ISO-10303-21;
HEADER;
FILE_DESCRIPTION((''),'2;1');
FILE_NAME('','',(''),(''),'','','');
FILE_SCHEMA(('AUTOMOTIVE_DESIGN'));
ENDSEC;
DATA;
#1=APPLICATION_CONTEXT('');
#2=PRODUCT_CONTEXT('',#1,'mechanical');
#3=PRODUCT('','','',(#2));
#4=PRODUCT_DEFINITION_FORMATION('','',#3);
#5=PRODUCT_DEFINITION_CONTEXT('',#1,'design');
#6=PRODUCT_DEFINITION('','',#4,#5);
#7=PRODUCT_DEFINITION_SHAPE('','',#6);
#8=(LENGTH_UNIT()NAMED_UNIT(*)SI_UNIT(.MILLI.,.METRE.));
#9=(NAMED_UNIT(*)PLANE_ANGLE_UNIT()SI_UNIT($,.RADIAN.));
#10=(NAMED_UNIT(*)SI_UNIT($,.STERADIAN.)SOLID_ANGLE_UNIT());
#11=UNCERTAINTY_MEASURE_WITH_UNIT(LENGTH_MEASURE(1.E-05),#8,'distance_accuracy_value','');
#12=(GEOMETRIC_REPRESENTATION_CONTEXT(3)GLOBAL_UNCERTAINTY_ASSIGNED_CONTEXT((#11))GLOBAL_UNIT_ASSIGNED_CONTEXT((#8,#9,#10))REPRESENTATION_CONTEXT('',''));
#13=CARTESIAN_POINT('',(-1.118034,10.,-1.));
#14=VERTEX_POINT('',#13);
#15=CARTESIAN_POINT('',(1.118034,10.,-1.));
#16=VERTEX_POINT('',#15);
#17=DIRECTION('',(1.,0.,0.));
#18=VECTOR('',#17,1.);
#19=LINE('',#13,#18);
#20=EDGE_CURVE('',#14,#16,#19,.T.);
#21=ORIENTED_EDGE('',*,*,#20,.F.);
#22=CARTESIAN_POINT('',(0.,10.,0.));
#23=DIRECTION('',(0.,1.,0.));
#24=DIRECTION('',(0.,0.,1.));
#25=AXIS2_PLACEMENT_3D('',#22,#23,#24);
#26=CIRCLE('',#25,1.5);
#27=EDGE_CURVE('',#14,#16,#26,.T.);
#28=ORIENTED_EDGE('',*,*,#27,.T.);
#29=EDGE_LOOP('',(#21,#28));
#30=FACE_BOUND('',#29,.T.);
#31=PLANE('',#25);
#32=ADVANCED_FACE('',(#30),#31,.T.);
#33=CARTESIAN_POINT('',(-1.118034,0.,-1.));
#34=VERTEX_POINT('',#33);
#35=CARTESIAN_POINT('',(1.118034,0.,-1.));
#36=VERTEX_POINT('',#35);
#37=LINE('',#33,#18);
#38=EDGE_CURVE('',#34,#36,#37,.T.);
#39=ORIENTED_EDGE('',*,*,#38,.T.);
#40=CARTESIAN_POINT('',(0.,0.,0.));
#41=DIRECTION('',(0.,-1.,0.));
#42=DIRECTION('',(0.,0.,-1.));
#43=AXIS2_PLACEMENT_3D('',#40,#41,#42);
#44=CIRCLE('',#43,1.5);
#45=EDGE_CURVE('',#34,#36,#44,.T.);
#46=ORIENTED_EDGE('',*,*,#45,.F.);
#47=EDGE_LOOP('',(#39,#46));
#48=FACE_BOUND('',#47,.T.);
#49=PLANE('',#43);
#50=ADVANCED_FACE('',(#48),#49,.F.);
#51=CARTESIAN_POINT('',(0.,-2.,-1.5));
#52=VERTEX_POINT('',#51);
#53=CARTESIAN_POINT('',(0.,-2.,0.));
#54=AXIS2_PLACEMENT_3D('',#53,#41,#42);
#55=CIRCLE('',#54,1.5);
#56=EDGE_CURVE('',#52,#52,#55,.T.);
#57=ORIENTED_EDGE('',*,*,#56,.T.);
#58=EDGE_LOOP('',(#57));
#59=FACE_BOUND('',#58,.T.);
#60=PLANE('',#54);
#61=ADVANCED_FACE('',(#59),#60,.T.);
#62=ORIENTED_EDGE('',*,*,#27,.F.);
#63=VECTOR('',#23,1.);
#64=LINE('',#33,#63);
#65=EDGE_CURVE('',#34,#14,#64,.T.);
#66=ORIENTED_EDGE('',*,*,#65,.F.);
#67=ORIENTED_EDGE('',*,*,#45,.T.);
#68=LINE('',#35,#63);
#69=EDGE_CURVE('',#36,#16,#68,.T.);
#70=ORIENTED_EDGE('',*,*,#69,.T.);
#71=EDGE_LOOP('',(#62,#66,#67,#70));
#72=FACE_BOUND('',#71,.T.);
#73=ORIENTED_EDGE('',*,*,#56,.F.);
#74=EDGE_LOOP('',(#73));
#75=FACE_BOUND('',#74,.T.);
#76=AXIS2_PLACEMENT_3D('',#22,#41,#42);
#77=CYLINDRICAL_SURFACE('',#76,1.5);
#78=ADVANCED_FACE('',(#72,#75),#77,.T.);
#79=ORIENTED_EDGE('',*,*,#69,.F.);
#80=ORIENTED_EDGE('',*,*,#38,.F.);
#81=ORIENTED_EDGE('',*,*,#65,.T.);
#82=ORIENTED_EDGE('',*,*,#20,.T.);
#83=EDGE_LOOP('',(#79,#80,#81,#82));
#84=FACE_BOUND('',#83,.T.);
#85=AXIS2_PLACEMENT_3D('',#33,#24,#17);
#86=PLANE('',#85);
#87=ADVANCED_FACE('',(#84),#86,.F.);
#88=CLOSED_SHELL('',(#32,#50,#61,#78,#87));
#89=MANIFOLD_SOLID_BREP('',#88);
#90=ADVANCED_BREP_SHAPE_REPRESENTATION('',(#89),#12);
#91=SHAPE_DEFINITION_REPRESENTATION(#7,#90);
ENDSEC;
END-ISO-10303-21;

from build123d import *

# Parameters (mm, degrees)
SKETCH_1_R          = 1.5
EXTRUDE_1_DEPTH     = 10
CUT_EXTRUDE_START   = -10
CUT_EXTRUDE_1_DEPTH = 10
BOSS_EXTRUDE1_START = 2
SKETCH1_R           = 1.5
BOSS_EXTRUDE1_DEPTH = 2


with BuildPart() as part:
    # 草图1 → 凸台-拉伸1 (new body)
    with BuildSketch(Plane(origin=(0, 0, 0), x_dir=(1, 0, 0), z_dir=(0, 1, 0))):
        Circle(SKETCH_1_R)
    extrude(amount=EXTRUDE_1_DEPTH)

    # 草图2 → 切除-拉伸1 (cut)
    with BuildSketch(Plane(origin=(0, 10, 0), x_dir=(1, 0, 0), z_dir=(0, 1, 0)).offset(CUT_EXTRUDE_START)):
        with BuildLine():
            Line((-1.118033989, 1), (1.118033989, 1))
            ThreePointArc((1.118033989, 1), (0, 1.5), (-1.118033989, 1))
        make_face()
    extrude(amount=CUT_EXTRUDE_1_DEPTH, mode=Mode.SUBTRACT)

    # Sketch1 → Boss-Extrude1 (add)
    with BuildSketch(Plane.XZ.offset(BOSS_EXTRUDE1_START)):
        Circle(SKETCH1_R)
    extrude(amount=-BOSS_EXTRUDE1_DEPTH)


solid = part.part
